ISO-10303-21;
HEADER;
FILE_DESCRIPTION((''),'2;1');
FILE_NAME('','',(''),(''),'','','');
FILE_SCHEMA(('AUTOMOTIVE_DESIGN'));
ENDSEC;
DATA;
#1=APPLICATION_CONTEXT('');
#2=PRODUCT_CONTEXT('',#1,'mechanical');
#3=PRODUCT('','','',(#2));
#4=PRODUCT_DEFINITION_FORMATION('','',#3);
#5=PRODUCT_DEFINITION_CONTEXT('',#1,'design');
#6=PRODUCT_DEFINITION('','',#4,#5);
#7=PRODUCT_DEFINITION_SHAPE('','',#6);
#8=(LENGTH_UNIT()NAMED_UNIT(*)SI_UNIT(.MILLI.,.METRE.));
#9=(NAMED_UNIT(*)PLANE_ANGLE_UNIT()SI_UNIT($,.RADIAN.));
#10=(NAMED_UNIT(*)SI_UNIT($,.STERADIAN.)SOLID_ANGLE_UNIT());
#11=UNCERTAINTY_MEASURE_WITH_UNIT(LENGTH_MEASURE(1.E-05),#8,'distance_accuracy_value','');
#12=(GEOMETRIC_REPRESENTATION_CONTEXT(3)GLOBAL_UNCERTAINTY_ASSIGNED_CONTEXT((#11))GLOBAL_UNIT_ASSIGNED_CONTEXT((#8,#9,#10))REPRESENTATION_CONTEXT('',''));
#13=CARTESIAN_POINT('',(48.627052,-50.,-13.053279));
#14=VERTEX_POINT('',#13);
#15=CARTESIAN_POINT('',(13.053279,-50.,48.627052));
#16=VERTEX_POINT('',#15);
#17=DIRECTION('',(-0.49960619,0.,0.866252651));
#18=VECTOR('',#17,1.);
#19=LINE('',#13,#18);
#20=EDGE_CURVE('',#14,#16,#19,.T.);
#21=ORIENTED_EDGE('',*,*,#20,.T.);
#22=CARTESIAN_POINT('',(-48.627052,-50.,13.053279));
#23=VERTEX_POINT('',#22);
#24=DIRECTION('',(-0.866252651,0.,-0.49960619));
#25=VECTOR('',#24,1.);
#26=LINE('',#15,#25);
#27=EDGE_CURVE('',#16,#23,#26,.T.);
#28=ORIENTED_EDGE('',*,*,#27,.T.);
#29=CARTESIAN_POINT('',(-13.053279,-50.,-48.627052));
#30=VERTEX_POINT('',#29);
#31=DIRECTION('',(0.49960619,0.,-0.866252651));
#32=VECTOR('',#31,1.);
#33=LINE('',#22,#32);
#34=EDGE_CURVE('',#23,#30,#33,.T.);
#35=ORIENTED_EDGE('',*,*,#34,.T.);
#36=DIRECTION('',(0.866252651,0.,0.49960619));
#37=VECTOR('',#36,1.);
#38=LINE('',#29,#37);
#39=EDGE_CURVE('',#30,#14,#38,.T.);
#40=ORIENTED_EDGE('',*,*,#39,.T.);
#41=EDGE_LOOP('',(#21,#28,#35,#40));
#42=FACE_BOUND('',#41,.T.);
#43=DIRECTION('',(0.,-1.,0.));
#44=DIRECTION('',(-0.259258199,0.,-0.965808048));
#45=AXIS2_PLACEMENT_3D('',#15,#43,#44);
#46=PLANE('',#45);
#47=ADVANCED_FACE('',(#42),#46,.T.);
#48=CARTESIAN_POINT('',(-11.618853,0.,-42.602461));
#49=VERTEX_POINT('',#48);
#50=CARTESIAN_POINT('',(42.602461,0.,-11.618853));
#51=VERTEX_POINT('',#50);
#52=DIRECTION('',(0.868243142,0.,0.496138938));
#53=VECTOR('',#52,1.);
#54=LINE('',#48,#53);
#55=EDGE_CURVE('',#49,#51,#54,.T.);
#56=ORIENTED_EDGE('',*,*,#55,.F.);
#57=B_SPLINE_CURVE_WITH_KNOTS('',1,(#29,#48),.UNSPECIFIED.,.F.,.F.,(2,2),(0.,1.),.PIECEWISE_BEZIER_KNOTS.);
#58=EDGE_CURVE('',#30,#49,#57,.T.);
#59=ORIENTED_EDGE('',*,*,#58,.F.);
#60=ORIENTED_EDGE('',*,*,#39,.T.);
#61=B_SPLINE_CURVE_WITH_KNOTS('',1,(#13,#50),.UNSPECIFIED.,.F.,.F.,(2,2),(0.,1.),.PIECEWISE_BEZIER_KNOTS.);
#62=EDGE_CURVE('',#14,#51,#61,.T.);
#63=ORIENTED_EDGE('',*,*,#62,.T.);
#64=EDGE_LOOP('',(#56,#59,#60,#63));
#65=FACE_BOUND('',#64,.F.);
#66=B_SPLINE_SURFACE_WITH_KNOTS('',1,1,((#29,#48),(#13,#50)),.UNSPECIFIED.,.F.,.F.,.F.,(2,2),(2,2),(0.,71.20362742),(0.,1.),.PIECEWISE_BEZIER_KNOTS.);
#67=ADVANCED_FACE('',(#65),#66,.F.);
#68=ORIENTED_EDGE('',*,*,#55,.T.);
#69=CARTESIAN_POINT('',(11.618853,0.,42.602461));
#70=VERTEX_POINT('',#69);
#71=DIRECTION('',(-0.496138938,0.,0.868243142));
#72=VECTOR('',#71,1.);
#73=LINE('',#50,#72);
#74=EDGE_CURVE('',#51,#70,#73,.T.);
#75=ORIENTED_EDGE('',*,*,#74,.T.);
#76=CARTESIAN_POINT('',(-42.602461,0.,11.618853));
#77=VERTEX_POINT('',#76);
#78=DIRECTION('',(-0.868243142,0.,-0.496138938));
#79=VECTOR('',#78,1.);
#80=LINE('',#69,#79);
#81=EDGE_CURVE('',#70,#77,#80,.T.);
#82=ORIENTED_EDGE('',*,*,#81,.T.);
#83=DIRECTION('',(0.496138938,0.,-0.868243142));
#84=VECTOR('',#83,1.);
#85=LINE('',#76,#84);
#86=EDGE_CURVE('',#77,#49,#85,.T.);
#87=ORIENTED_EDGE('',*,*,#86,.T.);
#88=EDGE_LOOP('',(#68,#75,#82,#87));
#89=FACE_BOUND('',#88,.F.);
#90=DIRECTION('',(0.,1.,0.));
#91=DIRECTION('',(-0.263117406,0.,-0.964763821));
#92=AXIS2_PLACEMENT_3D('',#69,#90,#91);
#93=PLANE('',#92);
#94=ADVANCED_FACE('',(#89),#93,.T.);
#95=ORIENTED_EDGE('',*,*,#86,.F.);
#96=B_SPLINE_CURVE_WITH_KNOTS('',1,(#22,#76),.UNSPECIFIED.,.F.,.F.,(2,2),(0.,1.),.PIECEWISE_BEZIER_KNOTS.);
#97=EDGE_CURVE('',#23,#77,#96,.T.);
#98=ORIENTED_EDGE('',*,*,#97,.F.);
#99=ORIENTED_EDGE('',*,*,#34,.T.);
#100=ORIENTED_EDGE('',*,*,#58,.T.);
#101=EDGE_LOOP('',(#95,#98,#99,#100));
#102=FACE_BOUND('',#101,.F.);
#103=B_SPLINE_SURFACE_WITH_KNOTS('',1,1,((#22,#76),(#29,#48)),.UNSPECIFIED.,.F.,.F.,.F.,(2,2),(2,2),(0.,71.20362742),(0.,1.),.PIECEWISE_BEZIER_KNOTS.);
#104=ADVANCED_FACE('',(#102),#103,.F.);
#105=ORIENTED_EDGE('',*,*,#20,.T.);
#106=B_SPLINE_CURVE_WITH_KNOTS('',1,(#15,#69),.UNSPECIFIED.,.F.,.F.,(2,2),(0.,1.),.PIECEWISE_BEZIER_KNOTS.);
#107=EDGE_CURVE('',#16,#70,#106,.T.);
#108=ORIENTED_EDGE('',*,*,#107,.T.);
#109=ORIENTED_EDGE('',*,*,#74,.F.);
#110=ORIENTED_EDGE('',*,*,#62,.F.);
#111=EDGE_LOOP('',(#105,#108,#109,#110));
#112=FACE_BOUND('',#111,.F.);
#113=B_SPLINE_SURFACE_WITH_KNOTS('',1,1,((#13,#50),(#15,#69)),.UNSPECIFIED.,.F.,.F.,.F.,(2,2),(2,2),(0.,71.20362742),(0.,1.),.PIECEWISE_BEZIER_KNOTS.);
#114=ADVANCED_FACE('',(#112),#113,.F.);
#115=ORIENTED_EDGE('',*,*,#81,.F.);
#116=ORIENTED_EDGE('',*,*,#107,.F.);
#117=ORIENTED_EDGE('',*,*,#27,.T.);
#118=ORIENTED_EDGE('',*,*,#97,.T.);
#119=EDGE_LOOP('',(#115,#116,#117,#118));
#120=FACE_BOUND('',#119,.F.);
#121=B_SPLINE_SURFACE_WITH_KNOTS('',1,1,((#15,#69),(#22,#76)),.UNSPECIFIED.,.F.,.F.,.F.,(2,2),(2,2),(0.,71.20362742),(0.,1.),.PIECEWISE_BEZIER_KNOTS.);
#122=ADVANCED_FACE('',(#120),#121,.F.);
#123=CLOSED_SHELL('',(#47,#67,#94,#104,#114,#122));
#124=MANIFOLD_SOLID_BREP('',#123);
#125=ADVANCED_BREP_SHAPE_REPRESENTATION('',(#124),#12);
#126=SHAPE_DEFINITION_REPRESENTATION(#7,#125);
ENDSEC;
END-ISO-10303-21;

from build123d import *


with BuildPart() as f3:
    # F2 (on offset) → F3 section 0
    with BuildSketch(Plane.XZ.offset(50)):
        Polygon((13.053279, 48.627052), (-48.627052, 13.053279), (-13.053279, -48.627052), (48.627052, -13.053279), align=None)
    # F0 (on Front) → F3 section 1
    with BuildSketch(Plane.XZ):
        Polygon((11.618853, 42.602461), (-42.602461, 11.618853), (-11.618853, -42.602461), (42.602461, -11.618853), align=None)
    loft()


solid = f3.part
